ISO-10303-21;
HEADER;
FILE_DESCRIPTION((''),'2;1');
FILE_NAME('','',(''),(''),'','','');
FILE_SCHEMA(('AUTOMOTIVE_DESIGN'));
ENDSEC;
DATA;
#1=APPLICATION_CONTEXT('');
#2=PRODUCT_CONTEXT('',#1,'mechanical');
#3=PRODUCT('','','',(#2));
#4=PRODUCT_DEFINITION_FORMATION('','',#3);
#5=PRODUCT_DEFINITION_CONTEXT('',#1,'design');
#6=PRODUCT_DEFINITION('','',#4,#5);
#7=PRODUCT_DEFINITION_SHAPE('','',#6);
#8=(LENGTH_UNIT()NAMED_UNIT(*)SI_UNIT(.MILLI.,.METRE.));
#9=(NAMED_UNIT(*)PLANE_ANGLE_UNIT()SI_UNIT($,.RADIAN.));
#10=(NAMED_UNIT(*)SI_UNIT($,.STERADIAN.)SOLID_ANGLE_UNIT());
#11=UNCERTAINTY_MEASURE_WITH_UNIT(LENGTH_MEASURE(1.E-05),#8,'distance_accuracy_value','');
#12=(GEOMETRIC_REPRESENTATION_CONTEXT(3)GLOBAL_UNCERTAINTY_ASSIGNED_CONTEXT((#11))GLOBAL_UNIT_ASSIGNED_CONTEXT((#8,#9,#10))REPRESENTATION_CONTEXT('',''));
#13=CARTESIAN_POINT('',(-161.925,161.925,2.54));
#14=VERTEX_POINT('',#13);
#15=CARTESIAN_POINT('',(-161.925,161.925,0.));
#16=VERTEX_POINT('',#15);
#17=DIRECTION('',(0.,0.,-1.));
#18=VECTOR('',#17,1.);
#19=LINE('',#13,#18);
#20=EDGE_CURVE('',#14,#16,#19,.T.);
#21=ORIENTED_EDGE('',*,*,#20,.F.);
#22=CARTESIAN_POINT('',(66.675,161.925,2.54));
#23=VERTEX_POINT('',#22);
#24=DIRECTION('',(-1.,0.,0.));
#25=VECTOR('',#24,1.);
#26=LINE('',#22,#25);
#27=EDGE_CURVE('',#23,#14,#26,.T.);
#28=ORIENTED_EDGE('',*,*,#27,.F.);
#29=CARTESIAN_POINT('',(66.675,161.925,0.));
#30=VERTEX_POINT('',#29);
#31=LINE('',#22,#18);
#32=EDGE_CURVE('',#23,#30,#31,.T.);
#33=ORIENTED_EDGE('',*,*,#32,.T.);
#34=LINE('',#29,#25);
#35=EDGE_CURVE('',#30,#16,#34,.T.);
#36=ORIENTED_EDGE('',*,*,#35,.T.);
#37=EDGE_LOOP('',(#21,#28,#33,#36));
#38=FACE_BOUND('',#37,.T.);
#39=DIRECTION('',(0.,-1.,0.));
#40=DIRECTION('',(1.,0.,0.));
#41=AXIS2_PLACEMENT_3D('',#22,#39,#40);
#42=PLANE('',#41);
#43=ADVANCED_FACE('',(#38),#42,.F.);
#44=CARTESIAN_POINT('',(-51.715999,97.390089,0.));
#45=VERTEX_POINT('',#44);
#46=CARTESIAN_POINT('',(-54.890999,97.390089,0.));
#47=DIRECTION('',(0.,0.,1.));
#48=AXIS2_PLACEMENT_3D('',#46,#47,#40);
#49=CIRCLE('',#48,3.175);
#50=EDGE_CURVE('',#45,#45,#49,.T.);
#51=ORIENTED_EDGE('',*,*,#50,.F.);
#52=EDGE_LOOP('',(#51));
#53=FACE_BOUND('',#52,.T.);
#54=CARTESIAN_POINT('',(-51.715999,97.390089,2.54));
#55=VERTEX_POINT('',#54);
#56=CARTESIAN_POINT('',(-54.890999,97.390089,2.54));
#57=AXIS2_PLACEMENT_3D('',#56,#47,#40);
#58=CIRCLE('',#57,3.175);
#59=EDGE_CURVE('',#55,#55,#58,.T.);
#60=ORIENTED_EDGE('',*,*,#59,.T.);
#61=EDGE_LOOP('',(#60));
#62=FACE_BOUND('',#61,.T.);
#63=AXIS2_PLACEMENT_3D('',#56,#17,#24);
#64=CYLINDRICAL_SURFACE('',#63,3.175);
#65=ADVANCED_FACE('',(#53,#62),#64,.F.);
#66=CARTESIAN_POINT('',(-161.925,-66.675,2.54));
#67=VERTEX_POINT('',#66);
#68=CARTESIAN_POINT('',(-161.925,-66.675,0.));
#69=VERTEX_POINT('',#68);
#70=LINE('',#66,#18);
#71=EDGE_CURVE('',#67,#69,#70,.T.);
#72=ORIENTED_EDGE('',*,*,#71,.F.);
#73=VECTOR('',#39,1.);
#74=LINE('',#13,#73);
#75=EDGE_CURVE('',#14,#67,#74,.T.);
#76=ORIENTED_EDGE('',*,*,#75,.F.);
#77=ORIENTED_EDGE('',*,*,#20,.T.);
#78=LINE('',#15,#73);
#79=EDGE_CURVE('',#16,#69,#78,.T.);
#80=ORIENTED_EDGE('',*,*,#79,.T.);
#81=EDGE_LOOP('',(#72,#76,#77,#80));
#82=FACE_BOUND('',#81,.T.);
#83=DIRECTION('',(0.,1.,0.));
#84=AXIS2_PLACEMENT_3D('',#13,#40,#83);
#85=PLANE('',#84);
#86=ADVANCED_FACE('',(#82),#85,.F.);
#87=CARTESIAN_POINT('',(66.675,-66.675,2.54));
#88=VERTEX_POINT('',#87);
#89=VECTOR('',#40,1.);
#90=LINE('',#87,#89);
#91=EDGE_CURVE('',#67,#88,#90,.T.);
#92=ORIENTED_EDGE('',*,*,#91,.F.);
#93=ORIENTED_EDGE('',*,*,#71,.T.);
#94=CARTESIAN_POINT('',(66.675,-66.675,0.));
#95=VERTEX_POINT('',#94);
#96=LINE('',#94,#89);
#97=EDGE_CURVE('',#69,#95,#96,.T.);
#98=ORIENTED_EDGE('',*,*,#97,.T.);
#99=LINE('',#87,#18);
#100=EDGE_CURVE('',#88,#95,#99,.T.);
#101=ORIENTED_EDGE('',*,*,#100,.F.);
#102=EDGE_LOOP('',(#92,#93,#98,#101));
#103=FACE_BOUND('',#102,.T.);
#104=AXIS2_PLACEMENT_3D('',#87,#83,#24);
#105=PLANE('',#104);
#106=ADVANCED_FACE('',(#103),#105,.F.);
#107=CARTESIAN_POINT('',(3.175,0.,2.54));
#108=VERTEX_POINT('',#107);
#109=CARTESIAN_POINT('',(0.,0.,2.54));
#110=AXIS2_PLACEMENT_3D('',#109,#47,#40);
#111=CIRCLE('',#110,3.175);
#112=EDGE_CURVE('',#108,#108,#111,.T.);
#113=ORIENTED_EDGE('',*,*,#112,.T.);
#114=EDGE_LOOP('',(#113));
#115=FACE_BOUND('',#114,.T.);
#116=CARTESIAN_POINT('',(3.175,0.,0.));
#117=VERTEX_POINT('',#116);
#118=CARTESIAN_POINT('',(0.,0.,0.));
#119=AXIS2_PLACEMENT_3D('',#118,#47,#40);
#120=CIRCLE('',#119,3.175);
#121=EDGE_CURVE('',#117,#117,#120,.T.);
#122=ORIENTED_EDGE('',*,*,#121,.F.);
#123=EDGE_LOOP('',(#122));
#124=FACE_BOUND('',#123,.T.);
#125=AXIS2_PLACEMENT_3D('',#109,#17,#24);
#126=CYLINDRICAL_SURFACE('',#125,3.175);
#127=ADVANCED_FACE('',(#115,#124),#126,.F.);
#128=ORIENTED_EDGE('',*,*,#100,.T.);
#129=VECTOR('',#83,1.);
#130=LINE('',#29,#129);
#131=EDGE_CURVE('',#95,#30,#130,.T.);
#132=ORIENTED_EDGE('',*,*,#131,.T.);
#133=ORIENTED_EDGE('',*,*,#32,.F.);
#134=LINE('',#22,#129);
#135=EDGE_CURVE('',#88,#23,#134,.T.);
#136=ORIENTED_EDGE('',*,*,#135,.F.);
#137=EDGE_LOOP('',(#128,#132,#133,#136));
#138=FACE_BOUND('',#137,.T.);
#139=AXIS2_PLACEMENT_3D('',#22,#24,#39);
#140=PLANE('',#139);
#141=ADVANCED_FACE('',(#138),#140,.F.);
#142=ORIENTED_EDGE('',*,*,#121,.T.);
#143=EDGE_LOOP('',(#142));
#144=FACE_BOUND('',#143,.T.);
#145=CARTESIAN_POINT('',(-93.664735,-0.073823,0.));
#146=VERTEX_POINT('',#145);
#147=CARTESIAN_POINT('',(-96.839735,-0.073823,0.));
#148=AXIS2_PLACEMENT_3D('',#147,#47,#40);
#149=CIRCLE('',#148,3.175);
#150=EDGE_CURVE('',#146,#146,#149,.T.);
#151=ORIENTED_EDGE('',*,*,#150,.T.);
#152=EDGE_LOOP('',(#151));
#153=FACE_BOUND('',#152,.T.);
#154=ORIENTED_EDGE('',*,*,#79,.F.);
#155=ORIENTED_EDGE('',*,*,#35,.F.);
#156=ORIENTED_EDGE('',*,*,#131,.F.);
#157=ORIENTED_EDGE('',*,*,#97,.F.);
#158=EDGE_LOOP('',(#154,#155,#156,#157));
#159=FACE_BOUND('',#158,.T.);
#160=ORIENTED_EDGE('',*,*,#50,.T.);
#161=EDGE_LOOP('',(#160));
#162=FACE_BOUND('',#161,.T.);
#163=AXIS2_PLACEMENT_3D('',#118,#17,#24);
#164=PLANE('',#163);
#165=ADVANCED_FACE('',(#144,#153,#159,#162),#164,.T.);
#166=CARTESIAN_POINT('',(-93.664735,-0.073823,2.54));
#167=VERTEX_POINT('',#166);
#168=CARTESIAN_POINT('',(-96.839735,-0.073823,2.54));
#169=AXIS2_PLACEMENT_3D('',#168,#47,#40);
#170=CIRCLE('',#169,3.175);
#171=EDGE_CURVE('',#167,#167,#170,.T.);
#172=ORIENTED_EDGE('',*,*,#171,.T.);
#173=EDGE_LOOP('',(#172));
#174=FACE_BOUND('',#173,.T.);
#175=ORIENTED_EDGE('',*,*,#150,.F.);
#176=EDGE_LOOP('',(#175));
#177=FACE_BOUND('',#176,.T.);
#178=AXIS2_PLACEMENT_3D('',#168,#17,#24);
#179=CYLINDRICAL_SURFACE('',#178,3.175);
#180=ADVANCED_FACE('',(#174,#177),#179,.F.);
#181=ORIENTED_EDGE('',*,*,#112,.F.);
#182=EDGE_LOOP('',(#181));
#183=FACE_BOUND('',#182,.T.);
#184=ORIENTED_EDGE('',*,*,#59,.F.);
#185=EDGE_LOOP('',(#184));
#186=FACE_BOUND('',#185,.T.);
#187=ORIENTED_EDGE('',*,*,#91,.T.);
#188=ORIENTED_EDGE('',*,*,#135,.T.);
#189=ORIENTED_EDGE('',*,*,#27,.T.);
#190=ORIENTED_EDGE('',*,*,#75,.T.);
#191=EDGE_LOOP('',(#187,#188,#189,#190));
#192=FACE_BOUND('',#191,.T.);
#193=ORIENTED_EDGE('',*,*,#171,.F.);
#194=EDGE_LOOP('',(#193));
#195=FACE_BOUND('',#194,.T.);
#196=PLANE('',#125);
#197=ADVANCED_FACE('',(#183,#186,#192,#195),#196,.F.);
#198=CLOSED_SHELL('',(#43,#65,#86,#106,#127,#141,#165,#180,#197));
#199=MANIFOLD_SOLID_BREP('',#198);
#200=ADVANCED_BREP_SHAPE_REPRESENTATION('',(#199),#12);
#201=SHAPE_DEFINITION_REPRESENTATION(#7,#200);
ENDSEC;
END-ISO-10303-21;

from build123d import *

# Parameters (mm, degrees)
SKETCH1_W           = 228.6
SKETCH1_H           = 228.6
SKETCH1_R           = 3.175
BOSS_EXTRUDE1_DEPTH = 2.54


with BuildPart() as part:
    # Sketch1 → Boss-Extrude1 (new body)
    with BuildSketch(Plane.XY):
        with Locations((-47.625, 47.625)):
            Rectangle(SKETCH1_W, SKETCH1_H)
        Circle(SKETCH1_R, mode=Mode.SUBTRACT)
        with Locations((-96.839734868, -0.073822651)):
            Circle(SKETCH1_R, mode=Mode.SUBTRACT)
        with Locations((-54.890998924, 97.390088929)):
            Circle(SKETCH1_R, mode=Mode.SUBTRACT)
    extrude(amount=BOSS_EXTRUDE1_DEPTH)


solid = part.part
